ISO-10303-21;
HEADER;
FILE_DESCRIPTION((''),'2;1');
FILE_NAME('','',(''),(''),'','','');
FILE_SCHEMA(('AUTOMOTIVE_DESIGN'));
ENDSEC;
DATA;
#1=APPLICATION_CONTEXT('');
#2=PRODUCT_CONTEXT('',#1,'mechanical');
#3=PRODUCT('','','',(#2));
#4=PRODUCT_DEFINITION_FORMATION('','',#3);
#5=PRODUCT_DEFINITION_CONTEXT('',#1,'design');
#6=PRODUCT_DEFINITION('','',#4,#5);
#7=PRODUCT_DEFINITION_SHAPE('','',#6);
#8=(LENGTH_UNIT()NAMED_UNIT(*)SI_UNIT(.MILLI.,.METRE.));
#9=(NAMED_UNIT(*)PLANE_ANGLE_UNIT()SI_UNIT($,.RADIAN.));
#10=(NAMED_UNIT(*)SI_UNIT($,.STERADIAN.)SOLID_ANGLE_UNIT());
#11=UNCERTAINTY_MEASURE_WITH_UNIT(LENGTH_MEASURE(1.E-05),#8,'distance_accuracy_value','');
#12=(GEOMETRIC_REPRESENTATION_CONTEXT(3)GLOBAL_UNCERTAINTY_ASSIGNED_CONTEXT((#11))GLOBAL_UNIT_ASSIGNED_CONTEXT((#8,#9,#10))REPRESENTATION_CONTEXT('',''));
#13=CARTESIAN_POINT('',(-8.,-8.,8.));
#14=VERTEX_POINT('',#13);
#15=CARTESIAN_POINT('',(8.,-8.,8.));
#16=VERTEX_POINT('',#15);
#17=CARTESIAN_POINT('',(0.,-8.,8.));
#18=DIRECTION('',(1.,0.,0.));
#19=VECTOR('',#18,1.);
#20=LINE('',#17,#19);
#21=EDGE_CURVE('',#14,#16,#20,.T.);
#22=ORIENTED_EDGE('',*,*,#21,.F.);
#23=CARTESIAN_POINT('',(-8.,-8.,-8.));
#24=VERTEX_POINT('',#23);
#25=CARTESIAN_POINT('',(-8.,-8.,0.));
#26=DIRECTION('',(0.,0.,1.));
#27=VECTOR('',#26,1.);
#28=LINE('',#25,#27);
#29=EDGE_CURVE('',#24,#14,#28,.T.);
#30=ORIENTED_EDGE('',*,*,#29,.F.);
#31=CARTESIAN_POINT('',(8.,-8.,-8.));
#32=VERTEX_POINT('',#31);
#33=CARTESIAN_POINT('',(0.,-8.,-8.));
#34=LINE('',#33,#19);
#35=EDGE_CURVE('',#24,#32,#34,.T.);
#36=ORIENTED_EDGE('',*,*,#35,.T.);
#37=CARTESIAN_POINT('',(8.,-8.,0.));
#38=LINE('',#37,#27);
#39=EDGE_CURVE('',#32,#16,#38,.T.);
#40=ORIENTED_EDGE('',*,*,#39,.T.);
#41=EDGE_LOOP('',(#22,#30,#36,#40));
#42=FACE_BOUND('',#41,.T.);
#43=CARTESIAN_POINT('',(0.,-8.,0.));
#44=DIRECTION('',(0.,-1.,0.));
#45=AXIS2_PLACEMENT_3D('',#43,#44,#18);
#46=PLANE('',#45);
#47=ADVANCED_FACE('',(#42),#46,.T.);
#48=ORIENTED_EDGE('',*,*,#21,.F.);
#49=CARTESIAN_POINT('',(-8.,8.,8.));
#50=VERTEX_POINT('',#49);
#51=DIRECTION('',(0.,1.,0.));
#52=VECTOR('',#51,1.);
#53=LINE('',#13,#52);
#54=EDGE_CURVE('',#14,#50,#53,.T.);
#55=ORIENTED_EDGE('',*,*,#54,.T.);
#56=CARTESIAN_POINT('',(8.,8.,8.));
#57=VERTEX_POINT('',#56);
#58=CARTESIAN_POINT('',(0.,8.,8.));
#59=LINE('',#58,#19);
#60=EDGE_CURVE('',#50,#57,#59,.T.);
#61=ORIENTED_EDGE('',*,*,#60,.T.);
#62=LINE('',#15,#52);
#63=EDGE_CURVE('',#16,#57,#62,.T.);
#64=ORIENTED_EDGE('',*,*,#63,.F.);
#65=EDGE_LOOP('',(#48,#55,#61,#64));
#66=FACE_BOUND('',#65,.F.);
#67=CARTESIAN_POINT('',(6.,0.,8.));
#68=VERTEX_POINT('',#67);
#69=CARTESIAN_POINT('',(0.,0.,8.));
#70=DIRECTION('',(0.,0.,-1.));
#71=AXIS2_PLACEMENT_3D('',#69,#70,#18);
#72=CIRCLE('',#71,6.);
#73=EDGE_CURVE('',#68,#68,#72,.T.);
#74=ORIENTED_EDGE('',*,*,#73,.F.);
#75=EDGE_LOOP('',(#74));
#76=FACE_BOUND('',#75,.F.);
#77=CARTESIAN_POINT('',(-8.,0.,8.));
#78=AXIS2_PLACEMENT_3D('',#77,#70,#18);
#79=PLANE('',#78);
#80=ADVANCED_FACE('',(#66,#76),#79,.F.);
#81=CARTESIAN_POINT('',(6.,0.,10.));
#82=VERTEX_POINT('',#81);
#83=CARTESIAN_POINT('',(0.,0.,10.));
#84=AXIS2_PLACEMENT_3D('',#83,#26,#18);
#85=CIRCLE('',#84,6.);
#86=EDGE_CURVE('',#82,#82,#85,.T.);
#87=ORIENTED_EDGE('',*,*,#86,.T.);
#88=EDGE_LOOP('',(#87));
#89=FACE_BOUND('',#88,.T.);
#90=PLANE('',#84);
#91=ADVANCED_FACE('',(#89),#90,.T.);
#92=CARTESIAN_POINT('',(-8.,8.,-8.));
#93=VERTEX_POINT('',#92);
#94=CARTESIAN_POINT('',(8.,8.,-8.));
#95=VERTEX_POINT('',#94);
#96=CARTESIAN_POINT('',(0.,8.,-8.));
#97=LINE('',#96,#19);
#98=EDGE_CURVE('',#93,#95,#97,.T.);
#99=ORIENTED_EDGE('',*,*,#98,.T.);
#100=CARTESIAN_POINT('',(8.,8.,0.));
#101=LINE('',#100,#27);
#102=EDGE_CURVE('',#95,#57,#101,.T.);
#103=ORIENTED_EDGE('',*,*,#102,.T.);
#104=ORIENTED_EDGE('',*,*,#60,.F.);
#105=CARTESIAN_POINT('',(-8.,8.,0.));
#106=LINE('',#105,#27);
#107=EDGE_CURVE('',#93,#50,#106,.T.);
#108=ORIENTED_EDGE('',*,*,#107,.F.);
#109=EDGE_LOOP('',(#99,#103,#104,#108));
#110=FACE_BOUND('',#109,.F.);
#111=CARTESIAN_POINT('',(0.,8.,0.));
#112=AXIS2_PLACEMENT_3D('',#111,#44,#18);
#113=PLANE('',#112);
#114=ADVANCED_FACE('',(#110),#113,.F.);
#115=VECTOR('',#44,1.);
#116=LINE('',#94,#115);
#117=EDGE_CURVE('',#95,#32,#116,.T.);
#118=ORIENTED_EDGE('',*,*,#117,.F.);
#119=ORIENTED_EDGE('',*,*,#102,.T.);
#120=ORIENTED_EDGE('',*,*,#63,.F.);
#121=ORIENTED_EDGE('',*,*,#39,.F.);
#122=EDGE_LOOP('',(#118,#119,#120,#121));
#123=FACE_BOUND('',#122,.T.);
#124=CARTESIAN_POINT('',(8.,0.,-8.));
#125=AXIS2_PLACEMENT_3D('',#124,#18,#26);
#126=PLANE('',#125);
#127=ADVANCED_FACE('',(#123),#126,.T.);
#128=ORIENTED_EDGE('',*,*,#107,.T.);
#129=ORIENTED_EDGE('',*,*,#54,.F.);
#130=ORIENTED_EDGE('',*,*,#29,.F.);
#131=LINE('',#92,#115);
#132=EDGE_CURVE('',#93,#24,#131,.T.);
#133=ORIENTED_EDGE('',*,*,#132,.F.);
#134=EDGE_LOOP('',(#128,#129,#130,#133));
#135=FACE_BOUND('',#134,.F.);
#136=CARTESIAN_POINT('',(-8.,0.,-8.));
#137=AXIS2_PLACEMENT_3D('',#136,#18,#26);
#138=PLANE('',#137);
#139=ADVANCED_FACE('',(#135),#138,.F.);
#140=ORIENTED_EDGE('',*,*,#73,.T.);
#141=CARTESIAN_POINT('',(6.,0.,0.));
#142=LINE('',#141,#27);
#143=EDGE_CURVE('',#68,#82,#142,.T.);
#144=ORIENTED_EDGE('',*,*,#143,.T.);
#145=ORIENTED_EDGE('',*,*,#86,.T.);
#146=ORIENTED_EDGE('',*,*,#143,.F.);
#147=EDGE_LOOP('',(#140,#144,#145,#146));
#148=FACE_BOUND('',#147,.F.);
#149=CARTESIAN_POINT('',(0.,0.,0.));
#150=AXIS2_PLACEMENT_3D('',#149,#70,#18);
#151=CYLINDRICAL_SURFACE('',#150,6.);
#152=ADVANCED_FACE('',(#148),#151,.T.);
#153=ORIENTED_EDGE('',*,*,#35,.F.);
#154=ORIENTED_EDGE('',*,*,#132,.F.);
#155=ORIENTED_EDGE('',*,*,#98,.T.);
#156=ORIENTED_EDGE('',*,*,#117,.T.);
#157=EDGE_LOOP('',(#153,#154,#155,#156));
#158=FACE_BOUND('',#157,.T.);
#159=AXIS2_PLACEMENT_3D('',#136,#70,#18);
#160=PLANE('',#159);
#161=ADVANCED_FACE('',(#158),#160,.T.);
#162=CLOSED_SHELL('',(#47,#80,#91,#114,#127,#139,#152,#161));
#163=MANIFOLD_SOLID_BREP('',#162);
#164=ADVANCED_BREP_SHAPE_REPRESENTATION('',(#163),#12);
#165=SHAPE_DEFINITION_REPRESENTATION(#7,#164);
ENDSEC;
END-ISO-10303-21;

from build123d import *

# Parameters (mm, degrees)
F0_W     = 16
F0_H     = 16
F1_DEPTH = 8
F2_R     = 6
F3_DEPTH = 10


with BuildPart() as f1:
    # F0 (on Front) → F1 (new body, symmetric)
    with BuildSketch(Plane.XZ):
        Rectangle(F0_W, F0_H)
    extrude(amount=F1_DEPTH, both=True)

    # F2 (on Top) → F3 (join)
    with BuildSketch(Plane.XY):
        Circle(F2_R)
    extrude(amount=F3_DEPTH)


solid = f1.part
